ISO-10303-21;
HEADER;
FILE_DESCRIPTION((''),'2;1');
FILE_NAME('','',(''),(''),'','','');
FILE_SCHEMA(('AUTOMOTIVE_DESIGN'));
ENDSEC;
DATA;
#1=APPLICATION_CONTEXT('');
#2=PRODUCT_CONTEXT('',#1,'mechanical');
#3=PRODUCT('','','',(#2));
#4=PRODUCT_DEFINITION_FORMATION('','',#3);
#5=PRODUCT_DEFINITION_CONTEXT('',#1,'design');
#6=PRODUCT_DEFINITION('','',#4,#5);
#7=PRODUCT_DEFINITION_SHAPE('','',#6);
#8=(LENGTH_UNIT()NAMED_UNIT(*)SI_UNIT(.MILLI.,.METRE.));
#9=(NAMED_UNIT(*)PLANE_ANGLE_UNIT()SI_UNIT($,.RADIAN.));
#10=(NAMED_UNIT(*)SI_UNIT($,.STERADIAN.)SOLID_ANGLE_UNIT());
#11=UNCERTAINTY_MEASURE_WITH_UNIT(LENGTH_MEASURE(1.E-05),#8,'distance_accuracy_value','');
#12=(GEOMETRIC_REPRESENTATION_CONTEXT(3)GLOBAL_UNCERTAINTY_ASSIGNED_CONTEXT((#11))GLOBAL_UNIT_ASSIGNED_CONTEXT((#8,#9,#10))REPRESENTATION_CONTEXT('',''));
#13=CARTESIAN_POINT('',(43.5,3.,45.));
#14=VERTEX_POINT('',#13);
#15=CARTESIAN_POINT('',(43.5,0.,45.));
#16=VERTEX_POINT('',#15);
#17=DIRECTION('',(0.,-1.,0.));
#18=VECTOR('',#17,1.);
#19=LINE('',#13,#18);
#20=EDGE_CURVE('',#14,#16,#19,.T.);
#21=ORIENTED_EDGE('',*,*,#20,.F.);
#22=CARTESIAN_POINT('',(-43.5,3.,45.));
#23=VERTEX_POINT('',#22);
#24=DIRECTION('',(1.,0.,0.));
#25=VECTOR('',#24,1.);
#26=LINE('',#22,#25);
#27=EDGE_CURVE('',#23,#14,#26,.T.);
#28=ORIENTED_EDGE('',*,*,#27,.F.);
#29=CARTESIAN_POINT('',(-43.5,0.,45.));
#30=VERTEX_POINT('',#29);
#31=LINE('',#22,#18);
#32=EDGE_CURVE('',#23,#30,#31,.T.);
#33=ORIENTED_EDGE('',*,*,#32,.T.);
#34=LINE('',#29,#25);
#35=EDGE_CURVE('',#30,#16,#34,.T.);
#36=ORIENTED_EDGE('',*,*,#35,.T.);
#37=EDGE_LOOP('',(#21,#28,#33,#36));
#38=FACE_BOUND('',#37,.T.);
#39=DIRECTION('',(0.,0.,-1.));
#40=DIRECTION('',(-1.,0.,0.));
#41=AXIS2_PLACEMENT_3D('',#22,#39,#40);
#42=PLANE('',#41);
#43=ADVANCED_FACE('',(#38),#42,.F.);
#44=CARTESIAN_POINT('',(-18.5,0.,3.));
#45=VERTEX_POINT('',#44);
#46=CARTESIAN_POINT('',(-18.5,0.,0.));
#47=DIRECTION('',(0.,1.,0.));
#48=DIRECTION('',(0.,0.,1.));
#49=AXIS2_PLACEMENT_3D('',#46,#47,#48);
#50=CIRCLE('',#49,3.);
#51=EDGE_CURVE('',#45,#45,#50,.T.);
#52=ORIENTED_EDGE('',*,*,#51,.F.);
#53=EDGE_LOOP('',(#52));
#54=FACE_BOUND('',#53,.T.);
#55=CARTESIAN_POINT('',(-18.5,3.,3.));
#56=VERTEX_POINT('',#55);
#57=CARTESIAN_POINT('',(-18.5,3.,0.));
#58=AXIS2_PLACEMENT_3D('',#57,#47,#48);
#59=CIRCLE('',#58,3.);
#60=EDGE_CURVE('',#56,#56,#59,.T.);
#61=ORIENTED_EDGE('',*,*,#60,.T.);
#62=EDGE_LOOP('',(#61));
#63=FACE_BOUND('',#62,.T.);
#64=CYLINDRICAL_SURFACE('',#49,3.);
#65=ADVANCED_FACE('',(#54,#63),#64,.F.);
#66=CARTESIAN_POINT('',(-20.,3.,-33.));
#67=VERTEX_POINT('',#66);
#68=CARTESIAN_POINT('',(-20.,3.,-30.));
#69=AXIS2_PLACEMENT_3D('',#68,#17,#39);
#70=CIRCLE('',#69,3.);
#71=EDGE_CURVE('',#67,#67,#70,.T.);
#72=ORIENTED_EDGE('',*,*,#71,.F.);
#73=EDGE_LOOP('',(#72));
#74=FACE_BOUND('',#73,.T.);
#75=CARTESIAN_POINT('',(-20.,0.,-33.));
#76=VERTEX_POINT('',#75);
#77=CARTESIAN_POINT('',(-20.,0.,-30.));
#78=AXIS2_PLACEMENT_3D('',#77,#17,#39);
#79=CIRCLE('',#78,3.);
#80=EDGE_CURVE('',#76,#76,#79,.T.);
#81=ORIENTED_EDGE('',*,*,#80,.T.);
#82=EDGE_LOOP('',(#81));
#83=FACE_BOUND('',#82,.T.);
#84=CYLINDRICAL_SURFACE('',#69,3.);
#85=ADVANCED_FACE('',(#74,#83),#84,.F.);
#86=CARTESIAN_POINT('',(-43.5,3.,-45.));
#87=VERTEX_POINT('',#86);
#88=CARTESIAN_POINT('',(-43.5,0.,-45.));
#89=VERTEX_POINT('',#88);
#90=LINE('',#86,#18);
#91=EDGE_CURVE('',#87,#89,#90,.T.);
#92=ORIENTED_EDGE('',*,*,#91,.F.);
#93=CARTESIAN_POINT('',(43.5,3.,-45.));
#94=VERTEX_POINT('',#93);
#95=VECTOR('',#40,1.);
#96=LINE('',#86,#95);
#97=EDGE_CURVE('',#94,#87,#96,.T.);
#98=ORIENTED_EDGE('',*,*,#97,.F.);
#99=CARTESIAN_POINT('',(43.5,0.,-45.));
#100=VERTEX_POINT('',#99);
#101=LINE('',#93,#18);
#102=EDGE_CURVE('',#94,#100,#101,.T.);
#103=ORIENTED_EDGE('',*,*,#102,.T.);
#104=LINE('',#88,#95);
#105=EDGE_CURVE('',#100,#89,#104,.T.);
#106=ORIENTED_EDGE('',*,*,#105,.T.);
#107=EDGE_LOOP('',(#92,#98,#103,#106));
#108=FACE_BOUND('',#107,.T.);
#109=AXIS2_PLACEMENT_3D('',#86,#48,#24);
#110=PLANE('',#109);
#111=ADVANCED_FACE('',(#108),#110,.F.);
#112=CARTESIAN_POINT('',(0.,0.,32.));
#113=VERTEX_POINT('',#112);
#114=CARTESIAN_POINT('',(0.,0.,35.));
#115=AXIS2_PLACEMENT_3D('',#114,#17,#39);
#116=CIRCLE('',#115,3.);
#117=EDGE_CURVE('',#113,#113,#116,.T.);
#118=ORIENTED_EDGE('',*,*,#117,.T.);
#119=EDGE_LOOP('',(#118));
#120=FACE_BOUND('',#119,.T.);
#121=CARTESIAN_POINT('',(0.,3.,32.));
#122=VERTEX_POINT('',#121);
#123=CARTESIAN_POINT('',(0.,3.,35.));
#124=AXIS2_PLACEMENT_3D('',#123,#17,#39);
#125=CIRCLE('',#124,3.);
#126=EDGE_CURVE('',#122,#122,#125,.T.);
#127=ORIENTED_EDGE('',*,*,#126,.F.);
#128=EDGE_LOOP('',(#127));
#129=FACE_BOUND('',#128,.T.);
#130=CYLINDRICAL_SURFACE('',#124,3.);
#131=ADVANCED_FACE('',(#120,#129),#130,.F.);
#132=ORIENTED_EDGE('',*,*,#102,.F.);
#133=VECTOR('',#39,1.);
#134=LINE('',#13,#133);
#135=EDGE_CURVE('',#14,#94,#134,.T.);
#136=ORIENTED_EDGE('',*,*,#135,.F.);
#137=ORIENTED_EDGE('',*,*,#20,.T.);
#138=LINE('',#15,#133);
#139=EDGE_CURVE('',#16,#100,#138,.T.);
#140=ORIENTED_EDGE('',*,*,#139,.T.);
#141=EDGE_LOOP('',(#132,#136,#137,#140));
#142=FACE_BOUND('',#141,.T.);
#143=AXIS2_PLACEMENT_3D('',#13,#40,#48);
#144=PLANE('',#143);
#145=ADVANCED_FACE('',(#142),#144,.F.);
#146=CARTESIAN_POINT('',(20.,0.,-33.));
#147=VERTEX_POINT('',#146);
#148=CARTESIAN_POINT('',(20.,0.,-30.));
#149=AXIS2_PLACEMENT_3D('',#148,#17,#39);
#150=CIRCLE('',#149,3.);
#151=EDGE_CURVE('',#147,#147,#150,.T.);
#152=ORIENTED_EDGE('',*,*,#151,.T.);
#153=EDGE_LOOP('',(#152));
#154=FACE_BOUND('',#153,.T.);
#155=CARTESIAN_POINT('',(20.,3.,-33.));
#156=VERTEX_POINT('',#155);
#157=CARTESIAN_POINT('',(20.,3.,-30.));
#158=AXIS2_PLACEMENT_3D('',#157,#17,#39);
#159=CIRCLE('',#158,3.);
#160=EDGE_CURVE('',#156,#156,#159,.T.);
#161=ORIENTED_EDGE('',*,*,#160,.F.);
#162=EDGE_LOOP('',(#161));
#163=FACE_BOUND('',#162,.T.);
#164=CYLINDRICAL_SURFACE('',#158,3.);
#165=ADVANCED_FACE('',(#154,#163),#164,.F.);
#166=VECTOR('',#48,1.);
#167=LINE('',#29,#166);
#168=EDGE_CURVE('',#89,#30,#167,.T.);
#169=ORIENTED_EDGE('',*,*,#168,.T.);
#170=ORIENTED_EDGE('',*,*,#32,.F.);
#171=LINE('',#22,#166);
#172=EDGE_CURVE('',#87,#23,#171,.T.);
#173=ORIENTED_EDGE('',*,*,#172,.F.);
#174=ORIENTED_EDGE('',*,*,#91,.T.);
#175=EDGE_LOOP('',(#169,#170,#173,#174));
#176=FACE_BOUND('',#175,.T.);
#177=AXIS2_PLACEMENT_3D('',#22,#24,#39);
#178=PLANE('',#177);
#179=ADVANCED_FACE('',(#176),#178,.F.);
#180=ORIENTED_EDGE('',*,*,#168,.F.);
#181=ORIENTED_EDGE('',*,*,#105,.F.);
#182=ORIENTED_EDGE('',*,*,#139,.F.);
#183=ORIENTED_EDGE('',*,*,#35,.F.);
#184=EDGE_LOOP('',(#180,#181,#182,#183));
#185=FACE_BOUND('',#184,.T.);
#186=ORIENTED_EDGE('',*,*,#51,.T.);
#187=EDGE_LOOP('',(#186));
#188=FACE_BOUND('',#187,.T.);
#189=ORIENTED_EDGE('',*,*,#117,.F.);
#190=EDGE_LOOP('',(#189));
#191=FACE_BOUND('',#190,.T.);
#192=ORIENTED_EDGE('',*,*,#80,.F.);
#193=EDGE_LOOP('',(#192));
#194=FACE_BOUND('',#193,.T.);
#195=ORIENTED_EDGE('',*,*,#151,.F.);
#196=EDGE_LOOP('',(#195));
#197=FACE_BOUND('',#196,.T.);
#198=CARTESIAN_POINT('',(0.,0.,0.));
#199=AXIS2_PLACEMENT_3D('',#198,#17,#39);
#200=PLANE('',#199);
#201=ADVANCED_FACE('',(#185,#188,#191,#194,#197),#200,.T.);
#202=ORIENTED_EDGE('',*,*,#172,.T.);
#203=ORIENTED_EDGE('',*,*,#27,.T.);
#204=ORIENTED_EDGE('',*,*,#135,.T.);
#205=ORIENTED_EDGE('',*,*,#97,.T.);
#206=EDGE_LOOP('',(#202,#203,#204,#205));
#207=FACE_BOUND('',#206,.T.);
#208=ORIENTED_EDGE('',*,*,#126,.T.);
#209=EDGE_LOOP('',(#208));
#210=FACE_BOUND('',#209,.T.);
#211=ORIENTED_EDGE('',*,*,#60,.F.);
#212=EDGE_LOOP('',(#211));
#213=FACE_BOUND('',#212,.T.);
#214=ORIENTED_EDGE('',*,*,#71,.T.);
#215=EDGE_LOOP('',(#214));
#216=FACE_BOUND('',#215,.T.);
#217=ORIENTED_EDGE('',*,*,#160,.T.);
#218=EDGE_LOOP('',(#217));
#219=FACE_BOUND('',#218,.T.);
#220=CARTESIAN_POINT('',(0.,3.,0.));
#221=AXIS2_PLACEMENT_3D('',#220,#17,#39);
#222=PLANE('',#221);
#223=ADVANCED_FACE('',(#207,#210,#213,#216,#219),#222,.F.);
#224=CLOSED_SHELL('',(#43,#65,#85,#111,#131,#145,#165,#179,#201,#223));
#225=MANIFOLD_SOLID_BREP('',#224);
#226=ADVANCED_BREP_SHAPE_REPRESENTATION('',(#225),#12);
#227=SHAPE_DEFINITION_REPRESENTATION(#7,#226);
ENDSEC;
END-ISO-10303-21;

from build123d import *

# Parameters (mm, degrees)
SKETCH1_W           = 87
SKETCH1_H           = 90
BOSS_EXTRUDE1_DEPTH = 3
SKETCH2_R           = 3
CUT_EXTRUDE1_DEPTH  = 63.659795723
SKETCH3_R           = 3
CUT_EXTRUDE2_DEPTH  = 63.659795723


with BuildPart() as part:
    # Sketch1 → Boss-Extrude1 (new body)
    with BuildSketch(Plane(origin=(0, 0, 0), x_dir=(1, 0, 0), z_dir=(0, 1, 0))):
        Rectangle(SKETCH1_W, SKETCH1_H)
    extrude(amount=BOSS_EXTRUDE1_DEPTH)

    # Sketch2 → Cut-Extrude1 (cut, through all)
    with BuildSketch(Plane(origin=(0, 3, 0), x_dir=(1, 0, 0), z_dir=(0, 1, 0))):
        with Locations(Location((-18.5, 0, 0), (0, 0, 270))):
            Circle(SKETCH2_R)
    extrude(amount=-CUT_EXTRUDE1_DEPTH, mode=Mode.SUBTRACT)

    # Sketch3 → Cut-Extrude2 (cut, through all)
    with BuildSketch(Plane.XZ):
        with Locations(Location((0, 35, 0), (0, 0, 270))):
            Circle(SKETCH3_R)
        with Locations(Location((-20, -30, 0), (0, 0, 270))):
            Circle(SKETCH3_R)
        with Locations(Location((20, -30, 0), (0, 0, 270))):
            Circle(SKETCH3_R)
    extrude(amount=-CUT_EXTRUDE2_DEPTH, mode=Mode.SUBTRACT)


solid = part.part
